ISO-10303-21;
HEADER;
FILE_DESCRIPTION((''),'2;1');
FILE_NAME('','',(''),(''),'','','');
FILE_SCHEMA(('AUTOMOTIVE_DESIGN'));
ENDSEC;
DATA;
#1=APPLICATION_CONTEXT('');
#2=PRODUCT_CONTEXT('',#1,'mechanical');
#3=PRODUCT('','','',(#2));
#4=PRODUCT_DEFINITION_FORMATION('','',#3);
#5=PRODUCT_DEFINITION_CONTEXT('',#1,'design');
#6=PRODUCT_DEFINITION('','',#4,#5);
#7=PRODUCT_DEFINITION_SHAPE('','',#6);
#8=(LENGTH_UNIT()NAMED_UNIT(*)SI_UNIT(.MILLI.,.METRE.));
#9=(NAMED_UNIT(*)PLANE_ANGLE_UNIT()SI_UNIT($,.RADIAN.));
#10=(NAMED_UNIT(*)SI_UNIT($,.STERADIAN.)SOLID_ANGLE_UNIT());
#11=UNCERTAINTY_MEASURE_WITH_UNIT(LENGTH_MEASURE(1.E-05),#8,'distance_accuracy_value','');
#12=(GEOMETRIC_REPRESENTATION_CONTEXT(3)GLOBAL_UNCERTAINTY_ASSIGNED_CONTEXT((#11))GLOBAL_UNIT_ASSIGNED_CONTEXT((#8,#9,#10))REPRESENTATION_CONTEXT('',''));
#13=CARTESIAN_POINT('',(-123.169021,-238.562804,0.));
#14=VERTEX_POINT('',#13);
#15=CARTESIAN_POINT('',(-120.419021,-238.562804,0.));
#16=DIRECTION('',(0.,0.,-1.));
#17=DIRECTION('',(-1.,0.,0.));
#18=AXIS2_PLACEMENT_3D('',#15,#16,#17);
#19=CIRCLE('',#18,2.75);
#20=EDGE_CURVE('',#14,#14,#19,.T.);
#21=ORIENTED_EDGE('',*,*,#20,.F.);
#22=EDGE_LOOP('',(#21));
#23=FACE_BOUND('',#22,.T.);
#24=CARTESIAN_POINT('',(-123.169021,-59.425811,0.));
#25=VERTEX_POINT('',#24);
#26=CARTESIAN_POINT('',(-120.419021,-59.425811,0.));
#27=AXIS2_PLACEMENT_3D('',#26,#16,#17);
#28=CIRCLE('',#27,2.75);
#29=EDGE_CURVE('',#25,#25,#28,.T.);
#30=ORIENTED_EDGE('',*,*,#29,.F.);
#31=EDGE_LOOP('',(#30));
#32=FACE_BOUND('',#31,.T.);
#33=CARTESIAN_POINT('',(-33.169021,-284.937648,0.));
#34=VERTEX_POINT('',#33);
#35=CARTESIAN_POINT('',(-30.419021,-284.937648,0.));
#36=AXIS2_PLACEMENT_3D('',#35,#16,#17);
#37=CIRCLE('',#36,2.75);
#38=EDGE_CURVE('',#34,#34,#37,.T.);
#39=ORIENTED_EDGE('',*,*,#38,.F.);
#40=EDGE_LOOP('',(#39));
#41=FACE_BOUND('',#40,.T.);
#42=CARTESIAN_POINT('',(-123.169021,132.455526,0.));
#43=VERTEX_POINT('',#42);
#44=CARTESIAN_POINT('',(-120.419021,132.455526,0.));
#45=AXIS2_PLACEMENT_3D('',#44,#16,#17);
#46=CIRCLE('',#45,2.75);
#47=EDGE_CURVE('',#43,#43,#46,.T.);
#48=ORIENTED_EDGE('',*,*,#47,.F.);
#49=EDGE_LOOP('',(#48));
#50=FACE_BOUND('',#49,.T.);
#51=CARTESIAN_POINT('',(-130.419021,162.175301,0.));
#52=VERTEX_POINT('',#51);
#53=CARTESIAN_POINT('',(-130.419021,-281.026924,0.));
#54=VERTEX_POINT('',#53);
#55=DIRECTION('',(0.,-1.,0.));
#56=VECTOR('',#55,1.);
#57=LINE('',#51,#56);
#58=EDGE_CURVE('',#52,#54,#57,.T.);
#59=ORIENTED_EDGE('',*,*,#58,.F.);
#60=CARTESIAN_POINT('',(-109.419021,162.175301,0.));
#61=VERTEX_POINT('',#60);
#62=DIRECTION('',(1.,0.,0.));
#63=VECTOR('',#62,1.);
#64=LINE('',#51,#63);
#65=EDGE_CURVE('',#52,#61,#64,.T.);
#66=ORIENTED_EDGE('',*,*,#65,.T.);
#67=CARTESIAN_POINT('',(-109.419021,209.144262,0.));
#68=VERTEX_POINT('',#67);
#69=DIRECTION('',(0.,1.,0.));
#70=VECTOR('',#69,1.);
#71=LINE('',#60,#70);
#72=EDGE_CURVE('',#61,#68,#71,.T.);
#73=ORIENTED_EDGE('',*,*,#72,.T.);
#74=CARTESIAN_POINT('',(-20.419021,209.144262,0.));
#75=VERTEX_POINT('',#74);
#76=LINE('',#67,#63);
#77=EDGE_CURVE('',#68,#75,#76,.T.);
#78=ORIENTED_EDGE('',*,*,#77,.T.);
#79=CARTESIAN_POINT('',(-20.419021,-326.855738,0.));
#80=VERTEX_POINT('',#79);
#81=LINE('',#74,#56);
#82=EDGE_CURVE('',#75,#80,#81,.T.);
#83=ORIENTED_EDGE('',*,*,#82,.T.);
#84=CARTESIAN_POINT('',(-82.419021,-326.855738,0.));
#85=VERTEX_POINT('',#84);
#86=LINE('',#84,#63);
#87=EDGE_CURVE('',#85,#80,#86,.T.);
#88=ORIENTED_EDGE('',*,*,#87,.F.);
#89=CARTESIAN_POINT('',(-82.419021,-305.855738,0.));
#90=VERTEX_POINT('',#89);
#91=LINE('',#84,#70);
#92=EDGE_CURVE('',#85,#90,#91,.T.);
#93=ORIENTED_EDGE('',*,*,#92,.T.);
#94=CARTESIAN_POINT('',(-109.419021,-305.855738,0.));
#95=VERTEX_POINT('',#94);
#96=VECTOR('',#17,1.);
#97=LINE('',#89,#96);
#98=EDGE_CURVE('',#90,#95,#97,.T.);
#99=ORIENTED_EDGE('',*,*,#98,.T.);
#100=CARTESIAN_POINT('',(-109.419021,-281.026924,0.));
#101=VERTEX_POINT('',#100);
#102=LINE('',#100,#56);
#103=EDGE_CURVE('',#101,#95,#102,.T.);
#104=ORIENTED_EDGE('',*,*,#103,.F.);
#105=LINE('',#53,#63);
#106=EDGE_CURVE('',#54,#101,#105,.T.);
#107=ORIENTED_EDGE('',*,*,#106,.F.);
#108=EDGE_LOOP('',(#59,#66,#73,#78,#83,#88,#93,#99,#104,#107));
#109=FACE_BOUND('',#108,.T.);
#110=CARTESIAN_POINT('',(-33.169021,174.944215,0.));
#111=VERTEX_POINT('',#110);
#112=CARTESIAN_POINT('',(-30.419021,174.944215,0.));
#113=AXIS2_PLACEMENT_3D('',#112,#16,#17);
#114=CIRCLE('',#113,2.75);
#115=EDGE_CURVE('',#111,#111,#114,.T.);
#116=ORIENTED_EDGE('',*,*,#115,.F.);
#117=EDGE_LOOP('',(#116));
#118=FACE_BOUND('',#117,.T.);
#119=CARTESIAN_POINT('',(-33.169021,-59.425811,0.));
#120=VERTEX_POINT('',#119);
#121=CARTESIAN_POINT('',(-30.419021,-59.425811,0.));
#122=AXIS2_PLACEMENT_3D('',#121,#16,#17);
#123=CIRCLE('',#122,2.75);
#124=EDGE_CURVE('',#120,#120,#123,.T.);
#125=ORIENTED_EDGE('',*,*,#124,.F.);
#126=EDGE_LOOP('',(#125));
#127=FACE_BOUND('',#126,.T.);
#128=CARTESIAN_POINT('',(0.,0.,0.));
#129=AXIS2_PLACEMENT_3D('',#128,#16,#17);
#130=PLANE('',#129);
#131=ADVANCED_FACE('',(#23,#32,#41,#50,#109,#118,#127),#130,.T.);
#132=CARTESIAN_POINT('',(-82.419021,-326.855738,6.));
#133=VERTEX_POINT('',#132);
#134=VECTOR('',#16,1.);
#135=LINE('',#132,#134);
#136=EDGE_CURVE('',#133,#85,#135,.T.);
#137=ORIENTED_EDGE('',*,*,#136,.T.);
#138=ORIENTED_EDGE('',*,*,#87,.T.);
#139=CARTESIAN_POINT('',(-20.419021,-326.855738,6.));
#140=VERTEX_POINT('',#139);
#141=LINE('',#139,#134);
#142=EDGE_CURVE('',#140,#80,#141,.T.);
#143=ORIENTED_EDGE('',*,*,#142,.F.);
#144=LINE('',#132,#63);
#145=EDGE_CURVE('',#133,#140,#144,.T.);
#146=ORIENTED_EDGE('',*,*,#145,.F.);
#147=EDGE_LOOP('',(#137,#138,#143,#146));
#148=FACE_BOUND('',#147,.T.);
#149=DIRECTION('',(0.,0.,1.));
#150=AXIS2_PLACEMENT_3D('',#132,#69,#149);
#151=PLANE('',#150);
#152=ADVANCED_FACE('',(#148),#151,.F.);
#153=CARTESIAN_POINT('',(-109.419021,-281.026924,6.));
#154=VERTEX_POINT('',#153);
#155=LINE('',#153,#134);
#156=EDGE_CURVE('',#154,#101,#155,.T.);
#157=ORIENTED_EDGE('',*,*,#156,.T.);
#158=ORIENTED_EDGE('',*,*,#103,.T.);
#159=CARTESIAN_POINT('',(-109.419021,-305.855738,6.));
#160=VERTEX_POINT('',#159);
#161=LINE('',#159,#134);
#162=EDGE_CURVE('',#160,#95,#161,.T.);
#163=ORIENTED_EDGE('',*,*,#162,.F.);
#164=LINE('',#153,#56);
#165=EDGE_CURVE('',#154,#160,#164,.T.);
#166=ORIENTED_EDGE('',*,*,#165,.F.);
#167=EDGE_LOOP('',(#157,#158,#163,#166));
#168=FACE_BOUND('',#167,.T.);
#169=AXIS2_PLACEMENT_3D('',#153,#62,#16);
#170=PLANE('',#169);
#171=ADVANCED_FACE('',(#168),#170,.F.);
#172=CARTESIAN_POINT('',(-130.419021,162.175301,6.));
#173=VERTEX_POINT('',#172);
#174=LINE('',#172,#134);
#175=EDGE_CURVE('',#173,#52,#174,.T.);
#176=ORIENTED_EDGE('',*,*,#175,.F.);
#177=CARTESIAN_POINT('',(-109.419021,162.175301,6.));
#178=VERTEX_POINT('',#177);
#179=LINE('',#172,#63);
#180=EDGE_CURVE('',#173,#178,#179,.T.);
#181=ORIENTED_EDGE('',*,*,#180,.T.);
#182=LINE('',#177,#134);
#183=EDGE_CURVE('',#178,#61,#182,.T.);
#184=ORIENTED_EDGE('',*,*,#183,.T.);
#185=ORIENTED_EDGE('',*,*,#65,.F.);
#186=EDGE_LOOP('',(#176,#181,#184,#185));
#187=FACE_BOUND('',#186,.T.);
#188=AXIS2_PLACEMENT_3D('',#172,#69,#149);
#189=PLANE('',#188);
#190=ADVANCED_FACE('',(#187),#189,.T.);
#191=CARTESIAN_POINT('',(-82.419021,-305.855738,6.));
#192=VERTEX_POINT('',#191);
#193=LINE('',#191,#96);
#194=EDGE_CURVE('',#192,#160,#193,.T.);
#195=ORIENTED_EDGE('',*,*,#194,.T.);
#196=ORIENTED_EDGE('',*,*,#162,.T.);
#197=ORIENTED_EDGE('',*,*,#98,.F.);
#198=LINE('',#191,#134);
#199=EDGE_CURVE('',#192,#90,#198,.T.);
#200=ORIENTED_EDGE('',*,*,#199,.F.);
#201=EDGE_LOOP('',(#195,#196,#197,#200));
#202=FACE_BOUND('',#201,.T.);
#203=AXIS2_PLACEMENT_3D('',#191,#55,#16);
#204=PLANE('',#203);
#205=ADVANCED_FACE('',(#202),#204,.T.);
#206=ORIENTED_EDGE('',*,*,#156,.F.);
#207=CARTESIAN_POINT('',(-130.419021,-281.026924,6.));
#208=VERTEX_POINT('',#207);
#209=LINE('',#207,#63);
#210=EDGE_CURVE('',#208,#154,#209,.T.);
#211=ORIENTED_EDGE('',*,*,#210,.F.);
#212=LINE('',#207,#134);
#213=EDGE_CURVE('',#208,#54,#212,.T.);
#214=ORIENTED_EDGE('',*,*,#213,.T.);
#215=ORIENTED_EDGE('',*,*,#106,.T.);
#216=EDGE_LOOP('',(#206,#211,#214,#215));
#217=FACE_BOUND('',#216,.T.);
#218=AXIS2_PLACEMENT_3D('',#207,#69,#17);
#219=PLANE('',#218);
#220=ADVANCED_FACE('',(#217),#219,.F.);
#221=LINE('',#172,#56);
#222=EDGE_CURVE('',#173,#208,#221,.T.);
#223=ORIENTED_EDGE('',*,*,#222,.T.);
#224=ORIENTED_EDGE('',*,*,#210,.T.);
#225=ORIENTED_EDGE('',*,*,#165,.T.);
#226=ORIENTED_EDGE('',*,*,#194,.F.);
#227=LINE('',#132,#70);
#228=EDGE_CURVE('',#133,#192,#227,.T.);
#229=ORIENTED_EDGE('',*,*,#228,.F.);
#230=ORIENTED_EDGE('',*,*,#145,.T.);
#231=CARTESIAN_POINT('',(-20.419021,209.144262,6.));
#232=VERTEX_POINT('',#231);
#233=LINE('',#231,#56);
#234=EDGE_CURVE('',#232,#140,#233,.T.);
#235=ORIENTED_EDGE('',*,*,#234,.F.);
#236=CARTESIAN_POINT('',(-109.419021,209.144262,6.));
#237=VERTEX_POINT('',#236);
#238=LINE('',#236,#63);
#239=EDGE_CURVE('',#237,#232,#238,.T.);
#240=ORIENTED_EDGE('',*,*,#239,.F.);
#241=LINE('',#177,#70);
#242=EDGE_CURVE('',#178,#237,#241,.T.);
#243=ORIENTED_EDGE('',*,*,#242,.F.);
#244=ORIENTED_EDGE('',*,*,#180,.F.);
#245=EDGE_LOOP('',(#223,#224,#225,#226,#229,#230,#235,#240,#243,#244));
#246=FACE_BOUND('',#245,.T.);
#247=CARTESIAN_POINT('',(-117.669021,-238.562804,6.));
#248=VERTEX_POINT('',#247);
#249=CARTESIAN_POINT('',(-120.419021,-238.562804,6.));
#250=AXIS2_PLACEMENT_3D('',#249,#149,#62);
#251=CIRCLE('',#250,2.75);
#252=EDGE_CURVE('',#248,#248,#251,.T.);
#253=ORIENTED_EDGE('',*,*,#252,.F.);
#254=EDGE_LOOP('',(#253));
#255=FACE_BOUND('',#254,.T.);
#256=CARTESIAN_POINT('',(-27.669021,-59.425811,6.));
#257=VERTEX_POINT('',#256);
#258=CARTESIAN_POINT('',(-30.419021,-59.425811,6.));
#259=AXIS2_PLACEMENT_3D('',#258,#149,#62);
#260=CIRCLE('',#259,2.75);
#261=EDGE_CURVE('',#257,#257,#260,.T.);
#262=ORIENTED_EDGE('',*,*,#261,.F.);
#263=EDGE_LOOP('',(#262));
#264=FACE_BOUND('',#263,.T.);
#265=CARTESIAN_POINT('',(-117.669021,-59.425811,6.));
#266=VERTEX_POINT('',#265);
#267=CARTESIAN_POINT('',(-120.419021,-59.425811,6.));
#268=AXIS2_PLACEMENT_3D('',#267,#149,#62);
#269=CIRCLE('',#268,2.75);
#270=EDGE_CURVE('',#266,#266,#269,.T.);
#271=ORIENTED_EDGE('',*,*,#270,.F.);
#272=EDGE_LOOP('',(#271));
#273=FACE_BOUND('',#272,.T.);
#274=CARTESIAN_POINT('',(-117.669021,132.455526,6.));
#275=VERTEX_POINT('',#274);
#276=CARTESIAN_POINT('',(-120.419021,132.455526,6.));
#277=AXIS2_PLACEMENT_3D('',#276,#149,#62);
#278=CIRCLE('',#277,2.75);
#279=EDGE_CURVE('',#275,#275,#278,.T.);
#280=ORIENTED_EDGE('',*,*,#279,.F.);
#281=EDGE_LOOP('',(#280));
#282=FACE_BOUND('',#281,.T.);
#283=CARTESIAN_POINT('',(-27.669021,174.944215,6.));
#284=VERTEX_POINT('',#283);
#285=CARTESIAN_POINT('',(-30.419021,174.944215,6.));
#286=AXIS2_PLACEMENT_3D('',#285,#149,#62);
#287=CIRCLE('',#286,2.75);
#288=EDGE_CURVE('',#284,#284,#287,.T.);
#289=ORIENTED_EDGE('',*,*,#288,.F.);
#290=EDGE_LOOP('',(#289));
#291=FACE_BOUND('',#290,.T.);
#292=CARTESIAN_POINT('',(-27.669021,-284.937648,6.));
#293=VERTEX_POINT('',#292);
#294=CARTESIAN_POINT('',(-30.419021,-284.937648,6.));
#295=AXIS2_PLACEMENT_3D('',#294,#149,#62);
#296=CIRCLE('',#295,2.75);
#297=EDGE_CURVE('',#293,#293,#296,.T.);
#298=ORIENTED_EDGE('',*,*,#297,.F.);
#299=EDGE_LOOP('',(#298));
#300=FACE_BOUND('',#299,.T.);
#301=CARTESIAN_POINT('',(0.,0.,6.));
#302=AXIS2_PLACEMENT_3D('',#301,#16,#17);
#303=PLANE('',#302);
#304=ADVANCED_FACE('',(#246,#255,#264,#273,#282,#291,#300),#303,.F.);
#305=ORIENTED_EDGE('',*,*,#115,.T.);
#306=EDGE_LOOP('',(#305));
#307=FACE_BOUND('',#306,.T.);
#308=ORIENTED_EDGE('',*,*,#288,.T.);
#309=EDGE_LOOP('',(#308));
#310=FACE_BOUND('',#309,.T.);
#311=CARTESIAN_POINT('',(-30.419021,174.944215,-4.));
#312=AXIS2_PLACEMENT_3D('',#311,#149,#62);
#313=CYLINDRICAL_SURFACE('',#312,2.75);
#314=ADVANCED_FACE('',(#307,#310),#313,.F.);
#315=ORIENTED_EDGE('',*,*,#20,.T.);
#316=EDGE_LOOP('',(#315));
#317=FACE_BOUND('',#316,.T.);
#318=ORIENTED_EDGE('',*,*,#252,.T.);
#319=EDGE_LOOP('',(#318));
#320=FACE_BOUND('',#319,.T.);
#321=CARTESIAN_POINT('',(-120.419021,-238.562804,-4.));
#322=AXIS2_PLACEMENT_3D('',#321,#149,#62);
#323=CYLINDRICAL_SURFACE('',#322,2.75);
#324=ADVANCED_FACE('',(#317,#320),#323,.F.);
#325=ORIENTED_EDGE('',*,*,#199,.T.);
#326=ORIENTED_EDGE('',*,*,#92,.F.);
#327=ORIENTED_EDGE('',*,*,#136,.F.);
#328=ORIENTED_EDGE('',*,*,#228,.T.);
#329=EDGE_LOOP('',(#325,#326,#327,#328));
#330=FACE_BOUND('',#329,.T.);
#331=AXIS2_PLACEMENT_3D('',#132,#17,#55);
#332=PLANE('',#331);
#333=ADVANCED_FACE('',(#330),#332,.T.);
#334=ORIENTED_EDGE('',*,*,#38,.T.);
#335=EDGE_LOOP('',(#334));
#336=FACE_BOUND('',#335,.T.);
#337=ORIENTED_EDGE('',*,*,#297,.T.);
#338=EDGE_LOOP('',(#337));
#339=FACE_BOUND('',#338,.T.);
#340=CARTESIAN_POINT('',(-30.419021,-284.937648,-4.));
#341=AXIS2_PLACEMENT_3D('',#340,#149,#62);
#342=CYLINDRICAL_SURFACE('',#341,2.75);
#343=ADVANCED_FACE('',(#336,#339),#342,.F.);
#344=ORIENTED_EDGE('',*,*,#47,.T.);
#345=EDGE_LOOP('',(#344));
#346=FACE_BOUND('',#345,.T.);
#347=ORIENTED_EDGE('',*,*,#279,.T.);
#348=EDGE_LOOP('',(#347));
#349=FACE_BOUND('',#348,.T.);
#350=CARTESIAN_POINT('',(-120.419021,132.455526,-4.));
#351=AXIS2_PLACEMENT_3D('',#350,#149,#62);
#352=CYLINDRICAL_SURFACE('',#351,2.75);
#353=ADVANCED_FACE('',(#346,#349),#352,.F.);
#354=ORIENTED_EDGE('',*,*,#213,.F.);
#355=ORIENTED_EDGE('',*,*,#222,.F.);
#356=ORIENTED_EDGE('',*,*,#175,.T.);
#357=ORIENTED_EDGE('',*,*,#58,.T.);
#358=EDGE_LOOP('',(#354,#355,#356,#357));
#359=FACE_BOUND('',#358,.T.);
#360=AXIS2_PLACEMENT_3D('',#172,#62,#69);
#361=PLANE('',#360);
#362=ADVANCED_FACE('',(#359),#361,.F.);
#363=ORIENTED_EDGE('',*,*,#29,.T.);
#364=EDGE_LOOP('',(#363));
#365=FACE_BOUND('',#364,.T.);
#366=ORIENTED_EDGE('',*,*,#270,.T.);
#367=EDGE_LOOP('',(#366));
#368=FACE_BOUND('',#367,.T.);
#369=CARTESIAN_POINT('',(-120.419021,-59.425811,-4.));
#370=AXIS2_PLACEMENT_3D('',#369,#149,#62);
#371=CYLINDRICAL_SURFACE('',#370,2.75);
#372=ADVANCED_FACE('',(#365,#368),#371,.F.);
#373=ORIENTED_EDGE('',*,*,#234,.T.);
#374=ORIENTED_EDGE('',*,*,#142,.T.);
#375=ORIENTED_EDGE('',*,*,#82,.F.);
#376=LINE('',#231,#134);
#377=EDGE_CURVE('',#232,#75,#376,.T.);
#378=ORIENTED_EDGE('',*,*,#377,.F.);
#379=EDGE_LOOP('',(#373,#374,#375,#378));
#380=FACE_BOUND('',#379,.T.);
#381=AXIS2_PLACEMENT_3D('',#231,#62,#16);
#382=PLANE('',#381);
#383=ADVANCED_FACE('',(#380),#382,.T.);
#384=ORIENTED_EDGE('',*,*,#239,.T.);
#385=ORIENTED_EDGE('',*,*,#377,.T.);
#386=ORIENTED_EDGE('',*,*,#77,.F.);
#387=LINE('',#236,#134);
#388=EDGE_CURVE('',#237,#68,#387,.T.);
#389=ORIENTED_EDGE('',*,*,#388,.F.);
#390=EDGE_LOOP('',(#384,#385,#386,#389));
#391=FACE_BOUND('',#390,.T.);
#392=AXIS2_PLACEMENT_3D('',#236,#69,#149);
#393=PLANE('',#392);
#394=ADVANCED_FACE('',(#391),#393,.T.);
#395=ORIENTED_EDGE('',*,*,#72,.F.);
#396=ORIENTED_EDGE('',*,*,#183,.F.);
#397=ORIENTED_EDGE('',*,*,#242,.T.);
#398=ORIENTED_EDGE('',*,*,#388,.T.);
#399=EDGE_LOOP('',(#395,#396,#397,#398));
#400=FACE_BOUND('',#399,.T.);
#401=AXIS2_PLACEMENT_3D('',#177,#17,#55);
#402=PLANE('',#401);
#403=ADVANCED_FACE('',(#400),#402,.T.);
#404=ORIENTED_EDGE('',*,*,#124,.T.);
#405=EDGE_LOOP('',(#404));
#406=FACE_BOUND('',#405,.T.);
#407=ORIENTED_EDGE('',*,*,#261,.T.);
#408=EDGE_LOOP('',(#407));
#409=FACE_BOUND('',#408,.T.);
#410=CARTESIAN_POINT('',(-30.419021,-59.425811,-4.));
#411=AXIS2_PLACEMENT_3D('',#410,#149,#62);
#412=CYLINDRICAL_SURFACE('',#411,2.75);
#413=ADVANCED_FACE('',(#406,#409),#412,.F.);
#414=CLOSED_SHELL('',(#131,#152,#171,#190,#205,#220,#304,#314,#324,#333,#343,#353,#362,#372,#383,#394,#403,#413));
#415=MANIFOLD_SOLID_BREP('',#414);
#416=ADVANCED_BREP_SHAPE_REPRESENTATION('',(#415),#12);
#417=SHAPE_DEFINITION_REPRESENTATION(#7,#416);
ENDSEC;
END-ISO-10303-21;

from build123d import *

# Parameters (mm, degrees)
BOSS_EXTRUDE1_DEPTH = 6
SKETCH2_R           = 2.75
CUT_EXTRUDE1_DEPTH  = 10


with BuildPart() as part:
    # Sketch1 → Boss-Extrude1 (new body)
    with BuildSketch(Plane.XY):
        Polygon((-82.419020993, -326.855738356), (-82.419020993, -305.855738356), (-109.419020993, -305.855738356), (-109.419020993, -281.0269235), (-130.419020993, -281.0269235), (-130.419020993, 162.175301007), (-109.419020993, 162.175301007), (-109.419020993, 209.144261644), (-20.419020993, 209.144261644), (-20.419020993, -326.855738356), align=None)
    extrude(amount=BOSS_EXTRUDE1_DEPTH)

    # Sketch2 → Cut-Extrude1 (cut)
    with BuildSketch(Plane.XY.offset(6)):
        with Locations((-120.419020993, -59.425811246)):
            Circle(SKETCH2_R)
        with Locations((-30.419020993, -59.425811246)):
            Circle(SKETCH2_R)
        with Locations((-30.419020993, 174.944215352)):
            Circle(SKETCH2_R)
        with Locations((-30.419020993, -284.937648356)):
            Circle(SKETCH2_R)
        with Locations((-120.419020993, -238.562803654)):
            Circle(SKETCH2_R)
        with Locations((-120.419020993, 132.455525643)):
            Circle(SKETCH2_R)
    extrude(amount=-CUT_EXTRUDE1_DEPTH, mode=Mode.SUBTRACT)


solid = part.part
